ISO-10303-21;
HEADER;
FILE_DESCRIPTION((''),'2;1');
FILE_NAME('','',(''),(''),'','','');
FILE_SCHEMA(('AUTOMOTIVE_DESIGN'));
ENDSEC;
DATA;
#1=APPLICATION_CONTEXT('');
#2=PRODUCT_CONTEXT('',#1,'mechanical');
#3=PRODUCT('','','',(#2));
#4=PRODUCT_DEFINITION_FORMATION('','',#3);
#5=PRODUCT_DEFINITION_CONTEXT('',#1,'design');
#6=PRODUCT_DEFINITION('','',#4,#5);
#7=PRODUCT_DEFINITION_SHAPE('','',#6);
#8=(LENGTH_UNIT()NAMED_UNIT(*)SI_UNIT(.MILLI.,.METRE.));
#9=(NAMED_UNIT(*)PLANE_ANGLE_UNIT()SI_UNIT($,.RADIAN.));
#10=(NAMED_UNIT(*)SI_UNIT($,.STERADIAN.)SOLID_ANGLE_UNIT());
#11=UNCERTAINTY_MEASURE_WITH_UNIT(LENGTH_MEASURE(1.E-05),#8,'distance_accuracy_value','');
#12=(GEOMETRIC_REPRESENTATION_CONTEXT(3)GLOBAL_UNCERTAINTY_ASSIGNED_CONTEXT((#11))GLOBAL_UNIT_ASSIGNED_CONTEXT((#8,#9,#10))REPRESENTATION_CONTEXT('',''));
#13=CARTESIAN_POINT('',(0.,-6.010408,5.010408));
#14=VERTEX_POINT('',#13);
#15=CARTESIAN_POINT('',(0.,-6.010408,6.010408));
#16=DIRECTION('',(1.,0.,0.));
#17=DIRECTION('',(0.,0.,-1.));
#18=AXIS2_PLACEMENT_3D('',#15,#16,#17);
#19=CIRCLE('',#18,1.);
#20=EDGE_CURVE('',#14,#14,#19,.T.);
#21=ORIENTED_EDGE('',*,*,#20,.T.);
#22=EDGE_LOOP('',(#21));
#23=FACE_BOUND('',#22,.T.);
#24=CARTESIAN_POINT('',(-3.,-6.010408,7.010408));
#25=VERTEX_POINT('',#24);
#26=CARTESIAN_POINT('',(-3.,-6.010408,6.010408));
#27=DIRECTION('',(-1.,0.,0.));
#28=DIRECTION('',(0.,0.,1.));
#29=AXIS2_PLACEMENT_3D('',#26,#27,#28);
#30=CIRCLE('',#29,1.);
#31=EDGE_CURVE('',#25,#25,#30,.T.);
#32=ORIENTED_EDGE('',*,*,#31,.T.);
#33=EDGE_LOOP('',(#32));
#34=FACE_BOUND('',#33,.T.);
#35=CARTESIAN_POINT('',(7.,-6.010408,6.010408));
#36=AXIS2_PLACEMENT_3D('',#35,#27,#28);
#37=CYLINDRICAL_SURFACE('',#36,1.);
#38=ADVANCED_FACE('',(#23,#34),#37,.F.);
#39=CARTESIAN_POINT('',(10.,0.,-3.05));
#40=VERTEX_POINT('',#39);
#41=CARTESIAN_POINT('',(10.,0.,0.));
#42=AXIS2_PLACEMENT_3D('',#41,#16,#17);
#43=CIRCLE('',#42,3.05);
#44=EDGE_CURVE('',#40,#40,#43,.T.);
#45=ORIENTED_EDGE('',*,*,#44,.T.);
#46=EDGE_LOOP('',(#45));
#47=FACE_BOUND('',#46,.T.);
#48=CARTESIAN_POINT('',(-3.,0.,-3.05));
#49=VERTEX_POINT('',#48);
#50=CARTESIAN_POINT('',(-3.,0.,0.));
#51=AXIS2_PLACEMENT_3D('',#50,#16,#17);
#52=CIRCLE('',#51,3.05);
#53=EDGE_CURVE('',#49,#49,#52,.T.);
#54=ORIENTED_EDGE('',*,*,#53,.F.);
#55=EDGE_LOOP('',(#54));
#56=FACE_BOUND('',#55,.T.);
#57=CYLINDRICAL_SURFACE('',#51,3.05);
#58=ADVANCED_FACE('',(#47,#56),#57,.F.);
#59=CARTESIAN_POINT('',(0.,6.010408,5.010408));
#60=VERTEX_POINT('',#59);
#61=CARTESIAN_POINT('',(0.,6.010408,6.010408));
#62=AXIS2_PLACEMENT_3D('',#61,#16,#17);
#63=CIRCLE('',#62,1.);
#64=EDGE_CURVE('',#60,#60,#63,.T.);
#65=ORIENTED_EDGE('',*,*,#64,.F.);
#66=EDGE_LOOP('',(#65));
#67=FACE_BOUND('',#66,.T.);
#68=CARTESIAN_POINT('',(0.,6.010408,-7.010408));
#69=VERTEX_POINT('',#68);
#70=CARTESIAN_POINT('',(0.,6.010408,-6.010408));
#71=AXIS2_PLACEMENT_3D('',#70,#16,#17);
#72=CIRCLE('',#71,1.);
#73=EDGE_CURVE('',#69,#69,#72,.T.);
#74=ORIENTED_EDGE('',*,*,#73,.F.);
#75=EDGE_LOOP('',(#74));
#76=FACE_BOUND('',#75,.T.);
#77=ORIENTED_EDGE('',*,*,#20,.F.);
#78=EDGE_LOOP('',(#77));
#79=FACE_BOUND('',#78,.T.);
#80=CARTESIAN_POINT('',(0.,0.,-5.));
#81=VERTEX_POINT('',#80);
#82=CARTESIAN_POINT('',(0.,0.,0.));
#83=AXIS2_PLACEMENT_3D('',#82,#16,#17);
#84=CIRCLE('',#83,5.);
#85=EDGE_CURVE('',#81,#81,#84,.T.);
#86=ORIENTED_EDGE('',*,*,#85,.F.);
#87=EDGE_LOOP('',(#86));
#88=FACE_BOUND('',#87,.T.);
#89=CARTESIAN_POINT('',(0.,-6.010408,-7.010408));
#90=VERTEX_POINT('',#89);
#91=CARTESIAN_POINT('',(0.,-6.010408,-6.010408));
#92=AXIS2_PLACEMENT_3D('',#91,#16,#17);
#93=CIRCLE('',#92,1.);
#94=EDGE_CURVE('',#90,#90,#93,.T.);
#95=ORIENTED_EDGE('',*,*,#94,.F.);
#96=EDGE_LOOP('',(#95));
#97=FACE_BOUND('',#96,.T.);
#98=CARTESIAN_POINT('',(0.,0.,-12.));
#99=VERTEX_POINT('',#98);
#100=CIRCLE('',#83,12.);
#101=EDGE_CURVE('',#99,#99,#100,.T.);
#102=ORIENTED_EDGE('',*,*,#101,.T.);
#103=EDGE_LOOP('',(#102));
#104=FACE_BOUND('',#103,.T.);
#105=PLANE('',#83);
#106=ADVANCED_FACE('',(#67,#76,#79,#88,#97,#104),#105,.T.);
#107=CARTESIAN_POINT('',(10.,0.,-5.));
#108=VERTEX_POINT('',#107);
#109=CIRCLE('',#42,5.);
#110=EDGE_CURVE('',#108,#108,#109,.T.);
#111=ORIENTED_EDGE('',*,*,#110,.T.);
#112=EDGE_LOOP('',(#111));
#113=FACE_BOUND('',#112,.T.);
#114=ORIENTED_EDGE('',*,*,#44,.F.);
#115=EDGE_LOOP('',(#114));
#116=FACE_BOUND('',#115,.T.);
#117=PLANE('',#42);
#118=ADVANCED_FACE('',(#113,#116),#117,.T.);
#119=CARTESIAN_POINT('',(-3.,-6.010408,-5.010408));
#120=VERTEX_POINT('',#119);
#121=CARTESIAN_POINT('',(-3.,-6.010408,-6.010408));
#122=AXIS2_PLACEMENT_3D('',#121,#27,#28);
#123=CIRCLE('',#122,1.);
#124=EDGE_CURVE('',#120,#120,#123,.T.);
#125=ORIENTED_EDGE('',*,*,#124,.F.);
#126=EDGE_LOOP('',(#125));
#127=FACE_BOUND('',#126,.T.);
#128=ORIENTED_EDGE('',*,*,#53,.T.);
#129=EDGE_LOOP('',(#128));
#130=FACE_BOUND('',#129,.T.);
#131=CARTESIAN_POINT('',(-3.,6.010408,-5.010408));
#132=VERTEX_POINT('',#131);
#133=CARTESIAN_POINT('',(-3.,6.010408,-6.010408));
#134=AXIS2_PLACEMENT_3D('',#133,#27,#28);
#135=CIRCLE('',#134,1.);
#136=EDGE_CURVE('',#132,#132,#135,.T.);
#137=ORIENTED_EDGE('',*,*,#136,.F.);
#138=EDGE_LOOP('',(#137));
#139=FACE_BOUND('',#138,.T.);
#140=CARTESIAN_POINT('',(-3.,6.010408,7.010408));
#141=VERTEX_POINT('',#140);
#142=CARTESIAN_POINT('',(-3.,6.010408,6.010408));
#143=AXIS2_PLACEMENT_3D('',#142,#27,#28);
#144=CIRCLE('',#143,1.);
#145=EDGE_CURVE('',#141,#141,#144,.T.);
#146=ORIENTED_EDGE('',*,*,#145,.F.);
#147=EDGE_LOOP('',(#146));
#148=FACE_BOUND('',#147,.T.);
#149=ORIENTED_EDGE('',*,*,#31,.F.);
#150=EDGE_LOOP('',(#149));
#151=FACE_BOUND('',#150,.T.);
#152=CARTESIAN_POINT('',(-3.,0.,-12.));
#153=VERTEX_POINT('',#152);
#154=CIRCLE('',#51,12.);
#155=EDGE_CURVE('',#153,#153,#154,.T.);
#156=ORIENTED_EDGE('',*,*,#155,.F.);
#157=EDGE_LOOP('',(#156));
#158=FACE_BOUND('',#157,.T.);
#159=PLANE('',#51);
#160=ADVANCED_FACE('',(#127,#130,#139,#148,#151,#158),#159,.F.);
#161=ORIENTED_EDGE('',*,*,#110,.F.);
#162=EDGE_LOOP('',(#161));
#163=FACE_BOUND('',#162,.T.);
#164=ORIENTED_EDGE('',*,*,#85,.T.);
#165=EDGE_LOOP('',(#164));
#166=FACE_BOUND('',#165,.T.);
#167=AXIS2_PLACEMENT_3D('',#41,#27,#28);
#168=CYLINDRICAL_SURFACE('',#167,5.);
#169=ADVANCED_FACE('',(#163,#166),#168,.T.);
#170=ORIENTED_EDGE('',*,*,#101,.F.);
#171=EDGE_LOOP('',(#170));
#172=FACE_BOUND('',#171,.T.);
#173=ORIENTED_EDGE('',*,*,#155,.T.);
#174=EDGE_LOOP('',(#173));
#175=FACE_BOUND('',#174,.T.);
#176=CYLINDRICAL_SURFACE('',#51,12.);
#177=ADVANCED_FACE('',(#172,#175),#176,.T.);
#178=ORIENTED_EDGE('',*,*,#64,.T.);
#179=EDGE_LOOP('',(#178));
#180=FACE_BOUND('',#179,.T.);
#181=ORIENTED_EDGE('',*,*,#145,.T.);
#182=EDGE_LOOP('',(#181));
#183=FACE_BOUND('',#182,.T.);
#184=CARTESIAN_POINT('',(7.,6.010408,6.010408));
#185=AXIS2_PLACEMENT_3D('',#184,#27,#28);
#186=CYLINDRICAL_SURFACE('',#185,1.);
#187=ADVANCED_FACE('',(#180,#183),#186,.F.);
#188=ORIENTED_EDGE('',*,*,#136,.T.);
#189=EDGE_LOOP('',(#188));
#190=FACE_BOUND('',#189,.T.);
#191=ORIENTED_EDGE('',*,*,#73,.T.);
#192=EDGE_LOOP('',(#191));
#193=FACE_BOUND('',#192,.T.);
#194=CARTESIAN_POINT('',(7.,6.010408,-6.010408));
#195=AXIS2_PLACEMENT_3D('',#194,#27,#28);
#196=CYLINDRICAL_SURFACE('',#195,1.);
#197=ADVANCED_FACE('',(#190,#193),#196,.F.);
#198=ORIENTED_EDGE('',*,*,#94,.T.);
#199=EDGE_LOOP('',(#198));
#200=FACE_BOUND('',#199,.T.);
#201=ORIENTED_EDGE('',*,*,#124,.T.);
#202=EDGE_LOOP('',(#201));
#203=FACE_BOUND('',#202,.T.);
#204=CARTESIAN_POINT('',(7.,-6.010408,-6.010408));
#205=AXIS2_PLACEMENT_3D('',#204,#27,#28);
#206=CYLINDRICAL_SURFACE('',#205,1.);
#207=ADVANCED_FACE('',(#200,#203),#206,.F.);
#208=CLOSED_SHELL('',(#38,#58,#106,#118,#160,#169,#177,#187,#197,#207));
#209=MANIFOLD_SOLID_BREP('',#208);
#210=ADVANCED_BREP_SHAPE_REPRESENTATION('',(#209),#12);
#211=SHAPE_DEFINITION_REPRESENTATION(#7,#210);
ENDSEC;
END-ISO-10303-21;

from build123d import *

# Parameters (mm, degrees)
SKETCH1_R           = 12
SKETCH1_R_2         = 3.05
BOSS_EXTRUDE1_DEPTH = 3
BOSS_EXTRUDE2_START = 10
SKETCH1_3_R         = 5
SKETCH1_3_R_2       = 3.05
BOSS_EXTRUDE2_DEPTH = 10
SKETCH2_R           = 1
CUT_EXTRUDE1_DEPTH  = 10


with BuildPart() as part:
    # Sketch1 → Boss-Extrude1 (new body)
    with BuildSketch(Plane(origin=(0, 0, 0), x_dir=(0, 0, -1), z_dir=(1, 0, 0))):
        Circle(SKETCH1_R)
        Circle(SKETCH1_R_2, mode=Mode.SUBTRACT)
    extrude(amount=-BOSS_EXTRUDE1_DEPTH)

    # Sketch1<3> → Boss-Extrude2 (add)
    with BuildSketch(Plane(origin=(0, 0, 0), x_dir=(0, 0, -1), z_dir=(1, 0, 0)).offset(BOSS_EXTRUDE2_START)):
        Circle(SKETCH1_3_R)
        Circle(SKETCH1_3_R_2, mode=Mode.SUBTRACT)
    extrude(amount=-BOSS_EXTRUDE2_DEPTH)

    # Sketch2 → Cut-Extrude1 (cut)
    with BuildSketch(Plane.ZY.offset(3)):
        with Locations((-6.01040764, 6.01040764)):
            Circle(SKETCH2_R)
        with Locations((-6.01040764, -6.01040764)):
            Circle(SKETCH2_R)
        with Locations((6.01040764, 6.01040764)):
            Circle(SKETCH2_R)
        with Locations((6.01040764, -6.01040764)):
            Circle(SKETCH2_R)
    extrude(amount=-CUT_EXTRUDE1_DEPTH, mode=Mode.SUBTRACT)


solid = part.part
